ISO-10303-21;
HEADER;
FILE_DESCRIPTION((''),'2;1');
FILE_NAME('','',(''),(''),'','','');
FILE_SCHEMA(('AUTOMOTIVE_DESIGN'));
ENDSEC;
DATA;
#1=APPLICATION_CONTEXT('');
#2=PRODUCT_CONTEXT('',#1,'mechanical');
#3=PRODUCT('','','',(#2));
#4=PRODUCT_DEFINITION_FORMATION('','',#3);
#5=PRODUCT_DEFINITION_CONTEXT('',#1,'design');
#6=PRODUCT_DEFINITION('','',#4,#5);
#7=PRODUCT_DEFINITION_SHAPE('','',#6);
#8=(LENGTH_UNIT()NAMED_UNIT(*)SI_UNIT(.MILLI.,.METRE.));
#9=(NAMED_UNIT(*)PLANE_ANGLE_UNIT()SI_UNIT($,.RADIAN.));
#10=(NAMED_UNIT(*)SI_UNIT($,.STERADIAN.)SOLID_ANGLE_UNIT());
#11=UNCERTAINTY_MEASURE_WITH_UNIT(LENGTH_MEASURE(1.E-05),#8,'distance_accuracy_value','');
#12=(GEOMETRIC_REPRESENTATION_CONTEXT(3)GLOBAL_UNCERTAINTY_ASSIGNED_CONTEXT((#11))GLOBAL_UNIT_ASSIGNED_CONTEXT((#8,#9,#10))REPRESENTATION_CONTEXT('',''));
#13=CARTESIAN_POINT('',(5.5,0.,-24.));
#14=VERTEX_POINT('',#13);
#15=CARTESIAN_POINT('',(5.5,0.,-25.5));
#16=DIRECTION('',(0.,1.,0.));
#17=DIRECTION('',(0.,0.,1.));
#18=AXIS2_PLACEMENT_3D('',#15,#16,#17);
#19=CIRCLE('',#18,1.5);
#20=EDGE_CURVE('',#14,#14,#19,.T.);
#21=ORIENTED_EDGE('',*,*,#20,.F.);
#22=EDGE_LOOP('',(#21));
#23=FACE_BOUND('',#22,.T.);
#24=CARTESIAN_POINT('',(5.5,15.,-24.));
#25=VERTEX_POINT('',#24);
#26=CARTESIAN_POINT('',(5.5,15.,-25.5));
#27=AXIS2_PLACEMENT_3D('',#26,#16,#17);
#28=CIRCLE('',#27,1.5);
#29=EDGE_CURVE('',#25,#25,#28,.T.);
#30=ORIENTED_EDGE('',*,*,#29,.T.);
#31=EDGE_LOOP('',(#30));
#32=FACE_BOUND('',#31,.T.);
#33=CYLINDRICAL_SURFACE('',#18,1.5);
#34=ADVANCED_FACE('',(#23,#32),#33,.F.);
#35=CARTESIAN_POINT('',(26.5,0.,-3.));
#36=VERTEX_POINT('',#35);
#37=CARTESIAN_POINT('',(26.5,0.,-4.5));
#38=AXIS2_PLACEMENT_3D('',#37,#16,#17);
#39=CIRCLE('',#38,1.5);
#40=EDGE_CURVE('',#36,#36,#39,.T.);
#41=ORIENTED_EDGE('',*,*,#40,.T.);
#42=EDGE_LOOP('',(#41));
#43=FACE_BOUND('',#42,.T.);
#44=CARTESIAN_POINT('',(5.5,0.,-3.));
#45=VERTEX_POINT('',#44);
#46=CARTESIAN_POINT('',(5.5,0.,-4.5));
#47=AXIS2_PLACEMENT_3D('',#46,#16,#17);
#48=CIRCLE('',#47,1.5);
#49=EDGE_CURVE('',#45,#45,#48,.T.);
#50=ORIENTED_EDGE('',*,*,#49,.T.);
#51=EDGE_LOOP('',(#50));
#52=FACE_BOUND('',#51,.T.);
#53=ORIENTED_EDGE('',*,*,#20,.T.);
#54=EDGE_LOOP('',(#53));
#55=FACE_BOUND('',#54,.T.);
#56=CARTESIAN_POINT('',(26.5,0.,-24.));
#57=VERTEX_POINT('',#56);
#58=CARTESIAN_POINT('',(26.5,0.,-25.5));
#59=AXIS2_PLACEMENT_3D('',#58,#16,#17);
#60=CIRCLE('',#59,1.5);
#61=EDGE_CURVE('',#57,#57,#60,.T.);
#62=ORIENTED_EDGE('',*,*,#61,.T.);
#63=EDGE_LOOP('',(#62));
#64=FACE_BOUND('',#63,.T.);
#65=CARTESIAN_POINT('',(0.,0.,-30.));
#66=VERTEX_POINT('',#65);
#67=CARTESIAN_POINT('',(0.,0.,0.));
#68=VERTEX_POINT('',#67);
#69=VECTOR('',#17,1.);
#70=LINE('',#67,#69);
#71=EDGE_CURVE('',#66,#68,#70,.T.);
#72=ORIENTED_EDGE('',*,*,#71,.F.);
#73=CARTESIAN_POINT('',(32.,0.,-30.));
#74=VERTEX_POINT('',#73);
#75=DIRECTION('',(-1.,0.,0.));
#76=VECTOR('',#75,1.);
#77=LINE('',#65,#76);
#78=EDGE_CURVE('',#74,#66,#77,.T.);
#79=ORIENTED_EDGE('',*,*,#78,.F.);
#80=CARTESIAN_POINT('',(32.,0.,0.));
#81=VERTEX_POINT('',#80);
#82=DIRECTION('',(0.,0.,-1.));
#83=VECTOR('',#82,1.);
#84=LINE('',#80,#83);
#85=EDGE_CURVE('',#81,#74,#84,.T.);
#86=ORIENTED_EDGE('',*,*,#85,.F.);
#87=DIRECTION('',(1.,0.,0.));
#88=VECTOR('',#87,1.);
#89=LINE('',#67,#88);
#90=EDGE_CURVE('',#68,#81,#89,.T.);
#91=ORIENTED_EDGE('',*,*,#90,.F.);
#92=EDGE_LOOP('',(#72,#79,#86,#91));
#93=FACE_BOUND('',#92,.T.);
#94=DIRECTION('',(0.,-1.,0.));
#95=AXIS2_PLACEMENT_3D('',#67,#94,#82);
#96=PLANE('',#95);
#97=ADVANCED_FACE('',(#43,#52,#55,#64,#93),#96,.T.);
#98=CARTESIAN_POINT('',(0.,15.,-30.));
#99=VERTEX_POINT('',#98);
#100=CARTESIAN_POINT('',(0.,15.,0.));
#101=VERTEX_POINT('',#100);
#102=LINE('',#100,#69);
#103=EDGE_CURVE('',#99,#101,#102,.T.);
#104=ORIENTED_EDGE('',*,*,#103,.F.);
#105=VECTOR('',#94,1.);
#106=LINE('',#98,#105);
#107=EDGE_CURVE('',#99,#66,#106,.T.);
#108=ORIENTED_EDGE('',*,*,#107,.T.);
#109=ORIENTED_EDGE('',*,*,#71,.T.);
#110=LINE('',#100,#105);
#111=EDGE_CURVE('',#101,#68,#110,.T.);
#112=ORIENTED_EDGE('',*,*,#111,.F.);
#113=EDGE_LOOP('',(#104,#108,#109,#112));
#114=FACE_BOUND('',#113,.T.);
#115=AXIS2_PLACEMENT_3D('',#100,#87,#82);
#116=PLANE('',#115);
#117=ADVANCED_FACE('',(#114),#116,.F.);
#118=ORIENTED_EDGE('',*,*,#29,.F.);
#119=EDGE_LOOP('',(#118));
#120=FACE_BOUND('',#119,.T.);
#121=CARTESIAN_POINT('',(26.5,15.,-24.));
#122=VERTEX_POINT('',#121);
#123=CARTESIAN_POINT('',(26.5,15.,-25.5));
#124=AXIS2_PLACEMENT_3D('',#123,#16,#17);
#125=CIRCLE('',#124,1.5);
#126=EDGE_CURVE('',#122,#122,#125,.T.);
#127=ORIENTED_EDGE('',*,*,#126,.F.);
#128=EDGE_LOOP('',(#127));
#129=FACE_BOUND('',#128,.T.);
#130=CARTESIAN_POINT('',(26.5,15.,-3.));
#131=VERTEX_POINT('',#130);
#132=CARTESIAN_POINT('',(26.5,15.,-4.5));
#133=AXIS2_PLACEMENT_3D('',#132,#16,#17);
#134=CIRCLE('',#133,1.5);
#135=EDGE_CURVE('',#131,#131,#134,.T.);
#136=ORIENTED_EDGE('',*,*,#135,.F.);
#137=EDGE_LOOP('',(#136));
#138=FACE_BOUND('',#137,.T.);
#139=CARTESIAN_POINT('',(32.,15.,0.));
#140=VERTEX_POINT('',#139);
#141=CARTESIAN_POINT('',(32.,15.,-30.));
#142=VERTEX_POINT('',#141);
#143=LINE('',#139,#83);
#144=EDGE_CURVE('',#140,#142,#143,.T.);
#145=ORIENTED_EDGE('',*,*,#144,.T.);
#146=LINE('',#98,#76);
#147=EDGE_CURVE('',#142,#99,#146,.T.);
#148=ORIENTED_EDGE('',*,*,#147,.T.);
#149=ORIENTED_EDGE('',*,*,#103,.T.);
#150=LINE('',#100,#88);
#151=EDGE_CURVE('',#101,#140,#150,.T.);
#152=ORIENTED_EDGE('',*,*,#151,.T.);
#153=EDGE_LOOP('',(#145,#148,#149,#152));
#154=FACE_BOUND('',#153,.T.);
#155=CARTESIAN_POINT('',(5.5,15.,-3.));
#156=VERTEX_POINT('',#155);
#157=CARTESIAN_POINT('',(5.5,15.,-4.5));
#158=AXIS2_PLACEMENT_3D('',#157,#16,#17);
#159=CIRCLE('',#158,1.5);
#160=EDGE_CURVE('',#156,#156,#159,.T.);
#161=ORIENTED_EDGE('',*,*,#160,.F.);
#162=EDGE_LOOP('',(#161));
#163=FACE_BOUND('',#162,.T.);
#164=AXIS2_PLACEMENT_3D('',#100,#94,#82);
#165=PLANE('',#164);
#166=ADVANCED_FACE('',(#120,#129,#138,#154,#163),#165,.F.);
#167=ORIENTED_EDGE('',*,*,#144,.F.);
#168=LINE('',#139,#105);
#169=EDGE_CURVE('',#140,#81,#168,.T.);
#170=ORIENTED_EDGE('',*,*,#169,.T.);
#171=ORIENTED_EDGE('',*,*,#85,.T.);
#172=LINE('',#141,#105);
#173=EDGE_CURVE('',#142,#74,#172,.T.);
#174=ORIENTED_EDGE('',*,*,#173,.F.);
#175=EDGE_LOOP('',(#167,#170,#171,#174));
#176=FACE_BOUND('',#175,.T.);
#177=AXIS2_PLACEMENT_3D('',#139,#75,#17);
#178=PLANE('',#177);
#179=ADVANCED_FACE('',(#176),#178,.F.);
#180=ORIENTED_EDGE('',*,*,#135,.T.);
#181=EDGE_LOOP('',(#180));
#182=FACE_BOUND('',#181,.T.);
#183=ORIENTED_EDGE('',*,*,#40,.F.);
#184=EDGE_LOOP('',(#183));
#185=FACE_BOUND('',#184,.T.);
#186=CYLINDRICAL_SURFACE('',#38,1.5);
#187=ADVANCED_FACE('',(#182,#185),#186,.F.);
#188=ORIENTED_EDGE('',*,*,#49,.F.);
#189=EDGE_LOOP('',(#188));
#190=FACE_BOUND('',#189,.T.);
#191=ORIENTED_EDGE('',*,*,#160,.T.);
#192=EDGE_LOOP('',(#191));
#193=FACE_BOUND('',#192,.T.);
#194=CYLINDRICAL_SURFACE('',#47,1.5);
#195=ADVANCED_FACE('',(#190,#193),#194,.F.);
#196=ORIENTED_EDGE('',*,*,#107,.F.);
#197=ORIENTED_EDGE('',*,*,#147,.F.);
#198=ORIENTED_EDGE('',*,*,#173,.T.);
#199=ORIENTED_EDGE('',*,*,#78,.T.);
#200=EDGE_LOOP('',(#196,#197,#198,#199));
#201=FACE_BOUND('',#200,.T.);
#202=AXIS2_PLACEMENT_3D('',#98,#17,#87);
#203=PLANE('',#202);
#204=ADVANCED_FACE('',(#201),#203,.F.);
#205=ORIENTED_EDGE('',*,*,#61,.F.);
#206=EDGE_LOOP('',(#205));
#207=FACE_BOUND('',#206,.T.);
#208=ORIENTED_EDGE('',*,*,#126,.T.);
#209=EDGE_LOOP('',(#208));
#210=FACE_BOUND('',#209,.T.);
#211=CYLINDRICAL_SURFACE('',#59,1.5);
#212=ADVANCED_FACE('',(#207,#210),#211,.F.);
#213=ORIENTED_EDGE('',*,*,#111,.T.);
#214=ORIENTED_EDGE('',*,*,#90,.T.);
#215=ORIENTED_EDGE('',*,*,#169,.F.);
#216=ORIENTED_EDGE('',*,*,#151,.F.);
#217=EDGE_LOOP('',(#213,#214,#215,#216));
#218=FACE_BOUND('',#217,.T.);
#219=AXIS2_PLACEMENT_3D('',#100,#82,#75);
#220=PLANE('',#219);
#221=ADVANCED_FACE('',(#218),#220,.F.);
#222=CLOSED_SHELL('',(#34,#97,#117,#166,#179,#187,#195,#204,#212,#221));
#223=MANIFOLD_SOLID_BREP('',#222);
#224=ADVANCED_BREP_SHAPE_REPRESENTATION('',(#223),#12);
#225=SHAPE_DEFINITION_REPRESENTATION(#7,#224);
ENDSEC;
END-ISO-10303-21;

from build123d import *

# Parameters (mm, degrees)
SKETCH1_W           = 32
SKETCH1_H           = 30
BOSS_EXTRUDE1_DEPTH = 15
SKETCH2_R           = 1.5
CUT_EXTRUDE1_DEPTH  = 15


with BuildPart() as part:
    # Sketch1 → Boss-Extrude1 (new body)
    with BuildSketch(Plane(origin=(0, 0, 0), x_dir=(1, 0, 0), z_dir=(0, 1, 0))):
        with Locations((16, 15)):
            Rectangle(SKETCH1_W, SKETCH1_H)
    extrude(amount=BOSS_EXTRUDE1_DEPTH)

    # Sketch2 → Cut-Extrude1 (cut)
    with BuildSketch(Plane(origin=(0, 15, 0), x_dir=(1, 0, 0), z_dir=(0, 1, 0))):
        with Locations(Location((5.5, 4.5, 0), (0, 0, 270))):
            Circle(SKETCH2_R)
        with Locations(Location((5.5, 25.5, 0), (0, 0, 270))):
            Circle(SKETCH2_R)
        with Locations(Location((26.5, 25.5, 0), (0, 0, 270))):
            Circle(SKETCH2_R)
        with Locations(Location((26.5, 4.5, 0), (0, 0, 270))):
            Circle(SKETCH2_R)
    extrude(amount=-CUT_EXTRUDE1_DEPTH, mode=Mode.SUBTRACT)


solid = part.part
